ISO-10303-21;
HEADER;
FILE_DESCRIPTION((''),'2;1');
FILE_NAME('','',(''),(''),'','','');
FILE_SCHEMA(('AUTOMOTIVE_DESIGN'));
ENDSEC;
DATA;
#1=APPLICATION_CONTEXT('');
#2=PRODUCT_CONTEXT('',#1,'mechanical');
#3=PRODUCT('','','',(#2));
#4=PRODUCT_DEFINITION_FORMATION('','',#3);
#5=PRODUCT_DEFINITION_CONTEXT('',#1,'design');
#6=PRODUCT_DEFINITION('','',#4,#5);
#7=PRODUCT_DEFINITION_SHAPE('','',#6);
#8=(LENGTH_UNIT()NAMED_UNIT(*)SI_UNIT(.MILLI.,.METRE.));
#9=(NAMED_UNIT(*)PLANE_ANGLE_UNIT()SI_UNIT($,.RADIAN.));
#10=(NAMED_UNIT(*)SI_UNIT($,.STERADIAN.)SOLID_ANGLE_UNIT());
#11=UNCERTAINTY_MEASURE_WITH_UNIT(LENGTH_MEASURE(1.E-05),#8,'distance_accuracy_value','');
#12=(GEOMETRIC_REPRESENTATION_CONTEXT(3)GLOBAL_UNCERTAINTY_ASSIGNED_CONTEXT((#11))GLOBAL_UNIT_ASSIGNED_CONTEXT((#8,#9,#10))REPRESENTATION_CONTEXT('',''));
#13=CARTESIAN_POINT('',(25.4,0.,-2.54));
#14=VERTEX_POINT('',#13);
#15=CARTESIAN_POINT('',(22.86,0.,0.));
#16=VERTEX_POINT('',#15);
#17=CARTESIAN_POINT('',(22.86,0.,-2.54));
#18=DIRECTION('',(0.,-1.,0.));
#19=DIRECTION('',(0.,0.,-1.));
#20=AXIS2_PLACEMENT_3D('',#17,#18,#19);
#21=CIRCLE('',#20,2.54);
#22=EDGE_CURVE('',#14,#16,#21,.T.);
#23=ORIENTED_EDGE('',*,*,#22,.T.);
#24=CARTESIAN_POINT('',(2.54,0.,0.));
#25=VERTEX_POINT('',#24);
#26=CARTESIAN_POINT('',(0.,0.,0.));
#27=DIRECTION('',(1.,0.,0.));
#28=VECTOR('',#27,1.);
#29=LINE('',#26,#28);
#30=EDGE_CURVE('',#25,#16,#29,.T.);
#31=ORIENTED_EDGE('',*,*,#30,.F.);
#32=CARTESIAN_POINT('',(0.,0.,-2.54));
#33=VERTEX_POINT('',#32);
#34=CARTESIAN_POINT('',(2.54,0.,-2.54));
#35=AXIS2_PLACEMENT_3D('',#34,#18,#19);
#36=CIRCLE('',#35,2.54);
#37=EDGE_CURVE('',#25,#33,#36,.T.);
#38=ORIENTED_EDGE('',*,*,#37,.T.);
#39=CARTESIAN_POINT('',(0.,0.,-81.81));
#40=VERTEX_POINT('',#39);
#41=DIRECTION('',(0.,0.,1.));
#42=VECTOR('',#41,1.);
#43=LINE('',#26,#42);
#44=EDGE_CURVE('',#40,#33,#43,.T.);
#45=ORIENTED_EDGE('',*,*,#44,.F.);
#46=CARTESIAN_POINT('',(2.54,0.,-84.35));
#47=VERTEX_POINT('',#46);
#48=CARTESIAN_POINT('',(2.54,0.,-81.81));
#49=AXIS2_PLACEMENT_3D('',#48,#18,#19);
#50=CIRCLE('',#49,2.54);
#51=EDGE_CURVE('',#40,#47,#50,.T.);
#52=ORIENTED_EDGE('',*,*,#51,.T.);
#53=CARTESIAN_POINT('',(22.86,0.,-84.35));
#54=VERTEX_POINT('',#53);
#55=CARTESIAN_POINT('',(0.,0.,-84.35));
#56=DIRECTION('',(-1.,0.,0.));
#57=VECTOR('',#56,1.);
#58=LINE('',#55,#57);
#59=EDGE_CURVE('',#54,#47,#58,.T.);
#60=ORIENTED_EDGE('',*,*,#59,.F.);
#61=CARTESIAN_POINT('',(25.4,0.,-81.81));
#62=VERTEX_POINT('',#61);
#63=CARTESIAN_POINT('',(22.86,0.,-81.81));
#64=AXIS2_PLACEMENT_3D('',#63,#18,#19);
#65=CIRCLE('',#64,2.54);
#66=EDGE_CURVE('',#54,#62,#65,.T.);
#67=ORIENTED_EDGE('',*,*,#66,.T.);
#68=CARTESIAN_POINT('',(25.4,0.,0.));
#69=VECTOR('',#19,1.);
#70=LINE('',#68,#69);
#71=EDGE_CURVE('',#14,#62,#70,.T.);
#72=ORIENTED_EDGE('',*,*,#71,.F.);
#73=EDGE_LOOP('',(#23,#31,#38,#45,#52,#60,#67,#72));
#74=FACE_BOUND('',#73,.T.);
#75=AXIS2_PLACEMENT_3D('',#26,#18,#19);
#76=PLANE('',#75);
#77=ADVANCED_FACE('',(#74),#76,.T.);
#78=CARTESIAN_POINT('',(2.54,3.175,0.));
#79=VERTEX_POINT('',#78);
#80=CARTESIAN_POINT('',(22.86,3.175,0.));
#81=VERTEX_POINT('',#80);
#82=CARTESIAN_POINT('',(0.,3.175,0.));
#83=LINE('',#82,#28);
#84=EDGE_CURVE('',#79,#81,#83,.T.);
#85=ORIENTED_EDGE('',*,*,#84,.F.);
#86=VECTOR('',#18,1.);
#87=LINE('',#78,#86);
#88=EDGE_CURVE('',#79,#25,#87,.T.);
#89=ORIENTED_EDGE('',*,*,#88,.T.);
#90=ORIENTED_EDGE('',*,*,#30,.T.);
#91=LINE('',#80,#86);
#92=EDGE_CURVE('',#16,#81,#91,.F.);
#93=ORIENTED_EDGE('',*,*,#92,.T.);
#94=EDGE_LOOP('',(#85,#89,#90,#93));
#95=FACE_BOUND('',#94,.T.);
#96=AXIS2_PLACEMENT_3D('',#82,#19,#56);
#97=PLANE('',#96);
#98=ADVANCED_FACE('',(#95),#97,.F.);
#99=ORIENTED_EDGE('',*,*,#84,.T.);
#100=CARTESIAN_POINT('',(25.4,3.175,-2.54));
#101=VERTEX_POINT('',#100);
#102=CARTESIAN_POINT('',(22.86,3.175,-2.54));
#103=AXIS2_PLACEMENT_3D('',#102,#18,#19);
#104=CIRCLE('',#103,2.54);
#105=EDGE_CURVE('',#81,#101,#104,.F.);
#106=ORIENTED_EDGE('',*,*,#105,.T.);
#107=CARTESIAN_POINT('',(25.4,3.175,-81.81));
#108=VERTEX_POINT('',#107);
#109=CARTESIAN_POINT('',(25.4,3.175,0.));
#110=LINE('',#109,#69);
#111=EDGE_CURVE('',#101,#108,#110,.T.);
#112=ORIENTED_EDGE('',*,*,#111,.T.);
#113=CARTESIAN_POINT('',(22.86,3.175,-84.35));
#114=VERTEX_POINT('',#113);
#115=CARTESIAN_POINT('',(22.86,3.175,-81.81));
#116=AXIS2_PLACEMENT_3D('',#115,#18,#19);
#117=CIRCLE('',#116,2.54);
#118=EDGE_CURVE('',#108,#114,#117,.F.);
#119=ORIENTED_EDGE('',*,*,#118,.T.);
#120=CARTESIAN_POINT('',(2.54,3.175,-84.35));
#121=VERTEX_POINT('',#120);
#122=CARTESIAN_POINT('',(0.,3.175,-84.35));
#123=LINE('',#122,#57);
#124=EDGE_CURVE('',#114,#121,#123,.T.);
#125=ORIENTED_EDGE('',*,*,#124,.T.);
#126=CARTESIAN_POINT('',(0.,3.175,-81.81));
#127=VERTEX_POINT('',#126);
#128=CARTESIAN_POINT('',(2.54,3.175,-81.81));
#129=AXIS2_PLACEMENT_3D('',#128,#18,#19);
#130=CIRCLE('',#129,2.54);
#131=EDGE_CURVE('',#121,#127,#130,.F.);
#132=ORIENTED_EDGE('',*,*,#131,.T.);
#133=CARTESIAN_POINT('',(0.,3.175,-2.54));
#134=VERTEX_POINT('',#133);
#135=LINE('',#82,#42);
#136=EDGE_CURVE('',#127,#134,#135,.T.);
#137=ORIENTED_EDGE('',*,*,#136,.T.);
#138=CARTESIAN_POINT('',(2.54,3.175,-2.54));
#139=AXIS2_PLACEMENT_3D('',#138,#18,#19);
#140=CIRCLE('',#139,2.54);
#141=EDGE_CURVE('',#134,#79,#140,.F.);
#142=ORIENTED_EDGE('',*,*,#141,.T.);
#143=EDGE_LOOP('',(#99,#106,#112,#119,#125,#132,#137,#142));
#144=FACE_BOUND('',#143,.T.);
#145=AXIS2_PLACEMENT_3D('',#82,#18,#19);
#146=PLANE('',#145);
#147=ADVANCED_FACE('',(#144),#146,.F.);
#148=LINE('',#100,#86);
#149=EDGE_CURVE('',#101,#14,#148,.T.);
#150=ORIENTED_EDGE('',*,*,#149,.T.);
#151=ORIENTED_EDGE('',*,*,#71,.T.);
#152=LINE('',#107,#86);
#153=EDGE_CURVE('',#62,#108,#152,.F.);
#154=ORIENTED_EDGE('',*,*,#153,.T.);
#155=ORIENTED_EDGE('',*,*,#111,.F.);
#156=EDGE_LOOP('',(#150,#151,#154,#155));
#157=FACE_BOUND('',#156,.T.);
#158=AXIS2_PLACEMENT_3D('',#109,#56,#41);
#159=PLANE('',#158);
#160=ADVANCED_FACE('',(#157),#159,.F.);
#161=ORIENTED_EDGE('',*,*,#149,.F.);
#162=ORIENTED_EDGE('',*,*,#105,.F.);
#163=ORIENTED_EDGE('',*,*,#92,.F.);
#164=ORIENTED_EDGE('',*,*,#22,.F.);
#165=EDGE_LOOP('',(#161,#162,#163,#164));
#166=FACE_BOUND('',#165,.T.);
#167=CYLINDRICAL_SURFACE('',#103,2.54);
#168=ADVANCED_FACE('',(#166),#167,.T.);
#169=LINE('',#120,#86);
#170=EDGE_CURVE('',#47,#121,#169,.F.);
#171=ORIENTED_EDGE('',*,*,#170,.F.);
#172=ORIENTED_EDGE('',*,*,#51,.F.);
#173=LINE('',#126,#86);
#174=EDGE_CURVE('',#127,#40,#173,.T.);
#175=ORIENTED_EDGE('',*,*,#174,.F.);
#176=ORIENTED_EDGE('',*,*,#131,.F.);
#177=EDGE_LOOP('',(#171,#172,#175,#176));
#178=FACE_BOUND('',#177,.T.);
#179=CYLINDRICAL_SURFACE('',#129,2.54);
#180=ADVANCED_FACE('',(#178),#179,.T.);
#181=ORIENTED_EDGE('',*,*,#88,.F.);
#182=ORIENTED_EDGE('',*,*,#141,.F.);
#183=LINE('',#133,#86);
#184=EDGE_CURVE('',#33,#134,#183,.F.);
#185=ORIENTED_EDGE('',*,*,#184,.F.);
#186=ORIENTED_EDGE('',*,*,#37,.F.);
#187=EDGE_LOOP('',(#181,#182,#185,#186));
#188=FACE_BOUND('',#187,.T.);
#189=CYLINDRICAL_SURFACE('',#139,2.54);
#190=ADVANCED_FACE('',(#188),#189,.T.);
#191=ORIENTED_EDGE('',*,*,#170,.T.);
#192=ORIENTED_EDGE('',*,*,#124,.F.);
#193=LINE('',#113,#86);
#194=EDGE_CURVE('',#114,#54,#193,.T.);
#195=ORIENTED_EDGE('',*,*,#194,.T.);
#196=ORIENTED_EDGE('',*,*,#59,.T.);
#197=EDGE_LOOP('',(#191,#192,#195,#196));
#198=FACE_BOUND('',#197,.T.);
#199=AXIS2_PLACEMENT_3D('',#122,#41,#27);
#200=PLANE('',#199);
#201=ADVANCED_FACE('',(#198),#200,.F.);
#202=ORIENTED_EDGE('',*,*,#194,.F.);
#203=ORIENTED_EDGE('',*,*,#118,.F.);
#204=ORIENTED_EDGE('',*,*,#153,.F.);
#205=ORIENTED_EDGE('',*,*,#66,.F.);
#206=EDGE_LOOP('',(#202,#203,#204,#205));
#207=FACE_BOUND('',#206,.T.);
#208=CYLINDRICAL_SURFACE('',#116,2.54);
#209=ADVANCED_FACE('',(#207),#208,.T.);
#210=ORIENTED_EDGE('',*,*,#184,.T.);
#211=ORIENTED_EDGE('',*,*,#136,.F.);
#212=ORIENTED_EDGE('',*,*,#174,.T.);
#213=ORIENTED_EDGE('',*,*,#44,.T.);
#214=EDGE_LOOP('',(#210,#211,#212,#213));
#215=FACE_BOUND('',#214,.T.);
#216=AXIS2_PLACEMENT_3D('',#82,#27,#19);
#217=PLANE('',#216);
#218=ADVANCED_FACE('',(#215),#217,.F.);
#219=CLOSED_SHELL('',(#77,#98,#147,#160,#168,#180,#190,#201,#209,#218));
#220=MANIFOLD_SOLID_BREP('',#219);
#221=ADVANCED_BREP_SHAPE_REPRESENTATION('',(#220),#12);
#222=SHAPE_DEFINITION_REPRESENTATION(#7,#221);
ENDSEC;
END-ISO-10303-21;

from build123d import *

# Parameters (mm, degrees)
SKETCH1_W           = 25.4
SKETCH1_H           = 84.35
BOSS_EXTRUDE1_DEPTH = 3.175
FILLET1_R           = 2.54


with BuildPart() as part:
    # Sketch1 → Boss-Extrude1 (new body)
    with BuildSketch(Plane(origin=(0, 0, 0), x_dir=(1, 0, 0), z_dir=(0, 1, 0))):
        with Locations((12.7, 42.175)):
            Rectangle(SKETCH1_W, SKETCH1_H)
    extrude(amount=BOSS_EXTRUDE1_DEPTH)

    # Fillet1
    fillet1_edges = [part.edges().sort_by_distance(p)[0] for p in [
        (0, 1.5875, -84.35),
        (25.4, 1.5875, -84.35),
        (25.4, 1.5875, 0),
        (0, 1.5875, 0),
    ]]
    fillet(fillet1_edges, radius=FILLET1_R)


solid = part.part
